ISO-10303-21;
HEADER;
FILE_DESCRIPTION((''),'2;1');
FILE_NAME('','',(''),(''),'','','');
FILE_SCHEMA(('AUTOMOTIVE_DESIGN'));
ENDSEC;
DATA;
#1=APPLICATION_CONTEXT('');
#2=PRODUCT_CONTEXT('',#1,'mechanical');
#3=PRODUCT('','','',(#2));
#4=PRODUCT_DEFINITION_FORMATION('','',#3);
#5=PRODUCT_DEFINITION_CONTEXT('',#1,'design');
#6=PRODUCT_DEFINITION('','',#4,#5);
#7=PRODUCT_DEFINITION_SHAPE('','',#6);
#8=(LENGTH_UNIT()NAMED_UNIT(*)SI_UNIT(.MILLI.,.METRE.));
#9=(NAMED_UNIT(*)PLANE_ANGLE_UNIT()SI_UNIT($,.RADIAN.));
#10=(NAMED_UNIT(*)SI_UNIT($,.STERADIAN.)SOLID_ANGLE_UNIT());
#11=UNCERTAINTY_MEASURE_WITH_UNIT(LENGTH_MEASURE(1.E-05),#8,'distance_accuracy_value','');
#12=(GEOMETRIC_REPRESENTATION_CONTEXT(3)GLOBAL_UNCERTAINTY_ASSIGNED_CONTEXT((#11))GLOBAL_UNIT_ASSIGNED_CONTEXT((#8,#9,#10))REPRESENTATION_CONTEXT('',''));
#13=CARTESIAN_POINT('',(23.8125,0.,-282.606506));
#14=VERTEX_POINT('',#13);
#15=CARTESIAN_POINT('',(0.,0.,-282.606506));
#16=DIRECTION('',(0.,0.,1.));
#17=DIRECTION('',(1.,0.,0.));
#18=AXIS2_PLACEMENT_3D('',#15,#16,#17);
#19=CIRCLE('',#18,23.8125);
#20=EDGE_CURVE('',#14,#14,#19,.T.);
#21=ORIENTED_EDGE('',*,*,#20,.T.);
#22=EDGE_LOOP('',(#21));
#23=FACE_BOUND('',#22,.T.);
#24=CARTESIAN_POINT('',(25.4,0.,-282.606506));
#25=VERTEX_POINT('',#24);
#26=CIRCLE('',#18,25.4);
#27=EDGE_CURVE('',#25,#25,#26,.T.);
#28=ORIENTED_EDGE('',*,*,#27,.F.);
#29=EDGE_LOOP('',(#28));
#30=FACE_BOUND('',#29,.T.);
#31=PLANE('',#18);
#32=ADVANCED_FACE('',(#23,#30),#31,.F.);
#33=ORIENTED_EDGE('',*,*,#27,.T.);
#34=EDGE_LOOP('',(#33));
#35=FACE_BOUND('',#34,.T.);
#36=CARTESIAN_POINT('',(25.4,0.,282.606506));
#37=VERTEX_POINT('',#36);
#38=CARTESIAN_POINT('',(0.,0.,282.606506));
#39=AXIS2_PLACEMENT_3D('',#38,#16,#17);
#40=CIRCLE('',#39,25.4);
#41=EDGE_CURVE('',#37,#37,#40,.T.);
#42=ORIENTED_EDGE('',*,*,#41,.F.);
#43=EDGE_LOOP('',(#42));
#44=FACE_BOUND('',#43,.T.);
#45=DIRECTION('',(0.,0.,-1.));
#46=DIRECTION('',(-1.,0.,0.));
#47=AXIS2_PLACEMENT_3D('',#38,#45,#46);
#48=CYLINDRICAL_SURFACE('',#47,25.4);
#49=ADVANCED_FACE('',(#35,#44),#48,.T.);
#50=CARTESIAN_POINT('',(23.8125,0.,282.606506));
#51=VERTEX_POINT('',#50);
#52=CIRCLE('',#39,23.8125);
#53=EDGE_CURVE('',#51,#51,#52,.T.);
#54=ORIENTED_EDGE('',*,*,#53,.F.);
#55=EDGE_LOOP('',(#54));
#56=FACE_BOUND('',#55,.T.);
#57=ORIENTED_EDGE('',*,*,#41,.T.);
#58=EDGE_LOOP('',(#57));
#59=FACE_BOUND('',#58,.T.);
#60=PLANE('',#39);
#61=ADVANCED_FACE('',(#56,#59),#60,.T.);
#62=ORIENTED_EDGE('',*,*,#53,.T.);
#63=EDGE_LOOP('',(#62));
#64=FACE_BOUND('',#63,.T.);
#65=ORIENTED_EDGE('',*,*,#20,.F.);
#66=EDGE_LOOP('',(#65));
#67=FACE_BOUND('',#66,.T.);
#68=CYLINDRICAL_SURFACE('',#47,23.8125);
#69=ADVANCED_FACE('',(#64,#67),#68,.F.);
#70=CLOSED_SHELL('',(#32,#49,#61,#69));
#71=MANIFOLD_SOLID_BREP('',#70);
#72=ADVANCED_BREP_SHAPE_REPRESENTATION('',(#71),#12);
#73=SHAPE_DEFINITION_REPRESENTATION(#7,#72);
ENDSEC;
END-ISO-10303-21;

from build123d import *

# Parameters (mm, degrees)
SKETCH1_R           = 25.4
SKETCH1_R_2         = 23.8125
BOSS_EXTRUDE1_DEPTH = 282.606506287


with BuildPart() as part:
    # Sketch1 → Boss-Extrude1 (new, symmetric)
    with BuildSketch(Plane.XY):
        Circle(SKETCH1_R)
        Circle(SKETCH1_R_2, mode=Mode.SUBTRACT)
    extrude(amount=BOSS_EXTRUDE1_DEPTH, both=True)


solid = part.part
